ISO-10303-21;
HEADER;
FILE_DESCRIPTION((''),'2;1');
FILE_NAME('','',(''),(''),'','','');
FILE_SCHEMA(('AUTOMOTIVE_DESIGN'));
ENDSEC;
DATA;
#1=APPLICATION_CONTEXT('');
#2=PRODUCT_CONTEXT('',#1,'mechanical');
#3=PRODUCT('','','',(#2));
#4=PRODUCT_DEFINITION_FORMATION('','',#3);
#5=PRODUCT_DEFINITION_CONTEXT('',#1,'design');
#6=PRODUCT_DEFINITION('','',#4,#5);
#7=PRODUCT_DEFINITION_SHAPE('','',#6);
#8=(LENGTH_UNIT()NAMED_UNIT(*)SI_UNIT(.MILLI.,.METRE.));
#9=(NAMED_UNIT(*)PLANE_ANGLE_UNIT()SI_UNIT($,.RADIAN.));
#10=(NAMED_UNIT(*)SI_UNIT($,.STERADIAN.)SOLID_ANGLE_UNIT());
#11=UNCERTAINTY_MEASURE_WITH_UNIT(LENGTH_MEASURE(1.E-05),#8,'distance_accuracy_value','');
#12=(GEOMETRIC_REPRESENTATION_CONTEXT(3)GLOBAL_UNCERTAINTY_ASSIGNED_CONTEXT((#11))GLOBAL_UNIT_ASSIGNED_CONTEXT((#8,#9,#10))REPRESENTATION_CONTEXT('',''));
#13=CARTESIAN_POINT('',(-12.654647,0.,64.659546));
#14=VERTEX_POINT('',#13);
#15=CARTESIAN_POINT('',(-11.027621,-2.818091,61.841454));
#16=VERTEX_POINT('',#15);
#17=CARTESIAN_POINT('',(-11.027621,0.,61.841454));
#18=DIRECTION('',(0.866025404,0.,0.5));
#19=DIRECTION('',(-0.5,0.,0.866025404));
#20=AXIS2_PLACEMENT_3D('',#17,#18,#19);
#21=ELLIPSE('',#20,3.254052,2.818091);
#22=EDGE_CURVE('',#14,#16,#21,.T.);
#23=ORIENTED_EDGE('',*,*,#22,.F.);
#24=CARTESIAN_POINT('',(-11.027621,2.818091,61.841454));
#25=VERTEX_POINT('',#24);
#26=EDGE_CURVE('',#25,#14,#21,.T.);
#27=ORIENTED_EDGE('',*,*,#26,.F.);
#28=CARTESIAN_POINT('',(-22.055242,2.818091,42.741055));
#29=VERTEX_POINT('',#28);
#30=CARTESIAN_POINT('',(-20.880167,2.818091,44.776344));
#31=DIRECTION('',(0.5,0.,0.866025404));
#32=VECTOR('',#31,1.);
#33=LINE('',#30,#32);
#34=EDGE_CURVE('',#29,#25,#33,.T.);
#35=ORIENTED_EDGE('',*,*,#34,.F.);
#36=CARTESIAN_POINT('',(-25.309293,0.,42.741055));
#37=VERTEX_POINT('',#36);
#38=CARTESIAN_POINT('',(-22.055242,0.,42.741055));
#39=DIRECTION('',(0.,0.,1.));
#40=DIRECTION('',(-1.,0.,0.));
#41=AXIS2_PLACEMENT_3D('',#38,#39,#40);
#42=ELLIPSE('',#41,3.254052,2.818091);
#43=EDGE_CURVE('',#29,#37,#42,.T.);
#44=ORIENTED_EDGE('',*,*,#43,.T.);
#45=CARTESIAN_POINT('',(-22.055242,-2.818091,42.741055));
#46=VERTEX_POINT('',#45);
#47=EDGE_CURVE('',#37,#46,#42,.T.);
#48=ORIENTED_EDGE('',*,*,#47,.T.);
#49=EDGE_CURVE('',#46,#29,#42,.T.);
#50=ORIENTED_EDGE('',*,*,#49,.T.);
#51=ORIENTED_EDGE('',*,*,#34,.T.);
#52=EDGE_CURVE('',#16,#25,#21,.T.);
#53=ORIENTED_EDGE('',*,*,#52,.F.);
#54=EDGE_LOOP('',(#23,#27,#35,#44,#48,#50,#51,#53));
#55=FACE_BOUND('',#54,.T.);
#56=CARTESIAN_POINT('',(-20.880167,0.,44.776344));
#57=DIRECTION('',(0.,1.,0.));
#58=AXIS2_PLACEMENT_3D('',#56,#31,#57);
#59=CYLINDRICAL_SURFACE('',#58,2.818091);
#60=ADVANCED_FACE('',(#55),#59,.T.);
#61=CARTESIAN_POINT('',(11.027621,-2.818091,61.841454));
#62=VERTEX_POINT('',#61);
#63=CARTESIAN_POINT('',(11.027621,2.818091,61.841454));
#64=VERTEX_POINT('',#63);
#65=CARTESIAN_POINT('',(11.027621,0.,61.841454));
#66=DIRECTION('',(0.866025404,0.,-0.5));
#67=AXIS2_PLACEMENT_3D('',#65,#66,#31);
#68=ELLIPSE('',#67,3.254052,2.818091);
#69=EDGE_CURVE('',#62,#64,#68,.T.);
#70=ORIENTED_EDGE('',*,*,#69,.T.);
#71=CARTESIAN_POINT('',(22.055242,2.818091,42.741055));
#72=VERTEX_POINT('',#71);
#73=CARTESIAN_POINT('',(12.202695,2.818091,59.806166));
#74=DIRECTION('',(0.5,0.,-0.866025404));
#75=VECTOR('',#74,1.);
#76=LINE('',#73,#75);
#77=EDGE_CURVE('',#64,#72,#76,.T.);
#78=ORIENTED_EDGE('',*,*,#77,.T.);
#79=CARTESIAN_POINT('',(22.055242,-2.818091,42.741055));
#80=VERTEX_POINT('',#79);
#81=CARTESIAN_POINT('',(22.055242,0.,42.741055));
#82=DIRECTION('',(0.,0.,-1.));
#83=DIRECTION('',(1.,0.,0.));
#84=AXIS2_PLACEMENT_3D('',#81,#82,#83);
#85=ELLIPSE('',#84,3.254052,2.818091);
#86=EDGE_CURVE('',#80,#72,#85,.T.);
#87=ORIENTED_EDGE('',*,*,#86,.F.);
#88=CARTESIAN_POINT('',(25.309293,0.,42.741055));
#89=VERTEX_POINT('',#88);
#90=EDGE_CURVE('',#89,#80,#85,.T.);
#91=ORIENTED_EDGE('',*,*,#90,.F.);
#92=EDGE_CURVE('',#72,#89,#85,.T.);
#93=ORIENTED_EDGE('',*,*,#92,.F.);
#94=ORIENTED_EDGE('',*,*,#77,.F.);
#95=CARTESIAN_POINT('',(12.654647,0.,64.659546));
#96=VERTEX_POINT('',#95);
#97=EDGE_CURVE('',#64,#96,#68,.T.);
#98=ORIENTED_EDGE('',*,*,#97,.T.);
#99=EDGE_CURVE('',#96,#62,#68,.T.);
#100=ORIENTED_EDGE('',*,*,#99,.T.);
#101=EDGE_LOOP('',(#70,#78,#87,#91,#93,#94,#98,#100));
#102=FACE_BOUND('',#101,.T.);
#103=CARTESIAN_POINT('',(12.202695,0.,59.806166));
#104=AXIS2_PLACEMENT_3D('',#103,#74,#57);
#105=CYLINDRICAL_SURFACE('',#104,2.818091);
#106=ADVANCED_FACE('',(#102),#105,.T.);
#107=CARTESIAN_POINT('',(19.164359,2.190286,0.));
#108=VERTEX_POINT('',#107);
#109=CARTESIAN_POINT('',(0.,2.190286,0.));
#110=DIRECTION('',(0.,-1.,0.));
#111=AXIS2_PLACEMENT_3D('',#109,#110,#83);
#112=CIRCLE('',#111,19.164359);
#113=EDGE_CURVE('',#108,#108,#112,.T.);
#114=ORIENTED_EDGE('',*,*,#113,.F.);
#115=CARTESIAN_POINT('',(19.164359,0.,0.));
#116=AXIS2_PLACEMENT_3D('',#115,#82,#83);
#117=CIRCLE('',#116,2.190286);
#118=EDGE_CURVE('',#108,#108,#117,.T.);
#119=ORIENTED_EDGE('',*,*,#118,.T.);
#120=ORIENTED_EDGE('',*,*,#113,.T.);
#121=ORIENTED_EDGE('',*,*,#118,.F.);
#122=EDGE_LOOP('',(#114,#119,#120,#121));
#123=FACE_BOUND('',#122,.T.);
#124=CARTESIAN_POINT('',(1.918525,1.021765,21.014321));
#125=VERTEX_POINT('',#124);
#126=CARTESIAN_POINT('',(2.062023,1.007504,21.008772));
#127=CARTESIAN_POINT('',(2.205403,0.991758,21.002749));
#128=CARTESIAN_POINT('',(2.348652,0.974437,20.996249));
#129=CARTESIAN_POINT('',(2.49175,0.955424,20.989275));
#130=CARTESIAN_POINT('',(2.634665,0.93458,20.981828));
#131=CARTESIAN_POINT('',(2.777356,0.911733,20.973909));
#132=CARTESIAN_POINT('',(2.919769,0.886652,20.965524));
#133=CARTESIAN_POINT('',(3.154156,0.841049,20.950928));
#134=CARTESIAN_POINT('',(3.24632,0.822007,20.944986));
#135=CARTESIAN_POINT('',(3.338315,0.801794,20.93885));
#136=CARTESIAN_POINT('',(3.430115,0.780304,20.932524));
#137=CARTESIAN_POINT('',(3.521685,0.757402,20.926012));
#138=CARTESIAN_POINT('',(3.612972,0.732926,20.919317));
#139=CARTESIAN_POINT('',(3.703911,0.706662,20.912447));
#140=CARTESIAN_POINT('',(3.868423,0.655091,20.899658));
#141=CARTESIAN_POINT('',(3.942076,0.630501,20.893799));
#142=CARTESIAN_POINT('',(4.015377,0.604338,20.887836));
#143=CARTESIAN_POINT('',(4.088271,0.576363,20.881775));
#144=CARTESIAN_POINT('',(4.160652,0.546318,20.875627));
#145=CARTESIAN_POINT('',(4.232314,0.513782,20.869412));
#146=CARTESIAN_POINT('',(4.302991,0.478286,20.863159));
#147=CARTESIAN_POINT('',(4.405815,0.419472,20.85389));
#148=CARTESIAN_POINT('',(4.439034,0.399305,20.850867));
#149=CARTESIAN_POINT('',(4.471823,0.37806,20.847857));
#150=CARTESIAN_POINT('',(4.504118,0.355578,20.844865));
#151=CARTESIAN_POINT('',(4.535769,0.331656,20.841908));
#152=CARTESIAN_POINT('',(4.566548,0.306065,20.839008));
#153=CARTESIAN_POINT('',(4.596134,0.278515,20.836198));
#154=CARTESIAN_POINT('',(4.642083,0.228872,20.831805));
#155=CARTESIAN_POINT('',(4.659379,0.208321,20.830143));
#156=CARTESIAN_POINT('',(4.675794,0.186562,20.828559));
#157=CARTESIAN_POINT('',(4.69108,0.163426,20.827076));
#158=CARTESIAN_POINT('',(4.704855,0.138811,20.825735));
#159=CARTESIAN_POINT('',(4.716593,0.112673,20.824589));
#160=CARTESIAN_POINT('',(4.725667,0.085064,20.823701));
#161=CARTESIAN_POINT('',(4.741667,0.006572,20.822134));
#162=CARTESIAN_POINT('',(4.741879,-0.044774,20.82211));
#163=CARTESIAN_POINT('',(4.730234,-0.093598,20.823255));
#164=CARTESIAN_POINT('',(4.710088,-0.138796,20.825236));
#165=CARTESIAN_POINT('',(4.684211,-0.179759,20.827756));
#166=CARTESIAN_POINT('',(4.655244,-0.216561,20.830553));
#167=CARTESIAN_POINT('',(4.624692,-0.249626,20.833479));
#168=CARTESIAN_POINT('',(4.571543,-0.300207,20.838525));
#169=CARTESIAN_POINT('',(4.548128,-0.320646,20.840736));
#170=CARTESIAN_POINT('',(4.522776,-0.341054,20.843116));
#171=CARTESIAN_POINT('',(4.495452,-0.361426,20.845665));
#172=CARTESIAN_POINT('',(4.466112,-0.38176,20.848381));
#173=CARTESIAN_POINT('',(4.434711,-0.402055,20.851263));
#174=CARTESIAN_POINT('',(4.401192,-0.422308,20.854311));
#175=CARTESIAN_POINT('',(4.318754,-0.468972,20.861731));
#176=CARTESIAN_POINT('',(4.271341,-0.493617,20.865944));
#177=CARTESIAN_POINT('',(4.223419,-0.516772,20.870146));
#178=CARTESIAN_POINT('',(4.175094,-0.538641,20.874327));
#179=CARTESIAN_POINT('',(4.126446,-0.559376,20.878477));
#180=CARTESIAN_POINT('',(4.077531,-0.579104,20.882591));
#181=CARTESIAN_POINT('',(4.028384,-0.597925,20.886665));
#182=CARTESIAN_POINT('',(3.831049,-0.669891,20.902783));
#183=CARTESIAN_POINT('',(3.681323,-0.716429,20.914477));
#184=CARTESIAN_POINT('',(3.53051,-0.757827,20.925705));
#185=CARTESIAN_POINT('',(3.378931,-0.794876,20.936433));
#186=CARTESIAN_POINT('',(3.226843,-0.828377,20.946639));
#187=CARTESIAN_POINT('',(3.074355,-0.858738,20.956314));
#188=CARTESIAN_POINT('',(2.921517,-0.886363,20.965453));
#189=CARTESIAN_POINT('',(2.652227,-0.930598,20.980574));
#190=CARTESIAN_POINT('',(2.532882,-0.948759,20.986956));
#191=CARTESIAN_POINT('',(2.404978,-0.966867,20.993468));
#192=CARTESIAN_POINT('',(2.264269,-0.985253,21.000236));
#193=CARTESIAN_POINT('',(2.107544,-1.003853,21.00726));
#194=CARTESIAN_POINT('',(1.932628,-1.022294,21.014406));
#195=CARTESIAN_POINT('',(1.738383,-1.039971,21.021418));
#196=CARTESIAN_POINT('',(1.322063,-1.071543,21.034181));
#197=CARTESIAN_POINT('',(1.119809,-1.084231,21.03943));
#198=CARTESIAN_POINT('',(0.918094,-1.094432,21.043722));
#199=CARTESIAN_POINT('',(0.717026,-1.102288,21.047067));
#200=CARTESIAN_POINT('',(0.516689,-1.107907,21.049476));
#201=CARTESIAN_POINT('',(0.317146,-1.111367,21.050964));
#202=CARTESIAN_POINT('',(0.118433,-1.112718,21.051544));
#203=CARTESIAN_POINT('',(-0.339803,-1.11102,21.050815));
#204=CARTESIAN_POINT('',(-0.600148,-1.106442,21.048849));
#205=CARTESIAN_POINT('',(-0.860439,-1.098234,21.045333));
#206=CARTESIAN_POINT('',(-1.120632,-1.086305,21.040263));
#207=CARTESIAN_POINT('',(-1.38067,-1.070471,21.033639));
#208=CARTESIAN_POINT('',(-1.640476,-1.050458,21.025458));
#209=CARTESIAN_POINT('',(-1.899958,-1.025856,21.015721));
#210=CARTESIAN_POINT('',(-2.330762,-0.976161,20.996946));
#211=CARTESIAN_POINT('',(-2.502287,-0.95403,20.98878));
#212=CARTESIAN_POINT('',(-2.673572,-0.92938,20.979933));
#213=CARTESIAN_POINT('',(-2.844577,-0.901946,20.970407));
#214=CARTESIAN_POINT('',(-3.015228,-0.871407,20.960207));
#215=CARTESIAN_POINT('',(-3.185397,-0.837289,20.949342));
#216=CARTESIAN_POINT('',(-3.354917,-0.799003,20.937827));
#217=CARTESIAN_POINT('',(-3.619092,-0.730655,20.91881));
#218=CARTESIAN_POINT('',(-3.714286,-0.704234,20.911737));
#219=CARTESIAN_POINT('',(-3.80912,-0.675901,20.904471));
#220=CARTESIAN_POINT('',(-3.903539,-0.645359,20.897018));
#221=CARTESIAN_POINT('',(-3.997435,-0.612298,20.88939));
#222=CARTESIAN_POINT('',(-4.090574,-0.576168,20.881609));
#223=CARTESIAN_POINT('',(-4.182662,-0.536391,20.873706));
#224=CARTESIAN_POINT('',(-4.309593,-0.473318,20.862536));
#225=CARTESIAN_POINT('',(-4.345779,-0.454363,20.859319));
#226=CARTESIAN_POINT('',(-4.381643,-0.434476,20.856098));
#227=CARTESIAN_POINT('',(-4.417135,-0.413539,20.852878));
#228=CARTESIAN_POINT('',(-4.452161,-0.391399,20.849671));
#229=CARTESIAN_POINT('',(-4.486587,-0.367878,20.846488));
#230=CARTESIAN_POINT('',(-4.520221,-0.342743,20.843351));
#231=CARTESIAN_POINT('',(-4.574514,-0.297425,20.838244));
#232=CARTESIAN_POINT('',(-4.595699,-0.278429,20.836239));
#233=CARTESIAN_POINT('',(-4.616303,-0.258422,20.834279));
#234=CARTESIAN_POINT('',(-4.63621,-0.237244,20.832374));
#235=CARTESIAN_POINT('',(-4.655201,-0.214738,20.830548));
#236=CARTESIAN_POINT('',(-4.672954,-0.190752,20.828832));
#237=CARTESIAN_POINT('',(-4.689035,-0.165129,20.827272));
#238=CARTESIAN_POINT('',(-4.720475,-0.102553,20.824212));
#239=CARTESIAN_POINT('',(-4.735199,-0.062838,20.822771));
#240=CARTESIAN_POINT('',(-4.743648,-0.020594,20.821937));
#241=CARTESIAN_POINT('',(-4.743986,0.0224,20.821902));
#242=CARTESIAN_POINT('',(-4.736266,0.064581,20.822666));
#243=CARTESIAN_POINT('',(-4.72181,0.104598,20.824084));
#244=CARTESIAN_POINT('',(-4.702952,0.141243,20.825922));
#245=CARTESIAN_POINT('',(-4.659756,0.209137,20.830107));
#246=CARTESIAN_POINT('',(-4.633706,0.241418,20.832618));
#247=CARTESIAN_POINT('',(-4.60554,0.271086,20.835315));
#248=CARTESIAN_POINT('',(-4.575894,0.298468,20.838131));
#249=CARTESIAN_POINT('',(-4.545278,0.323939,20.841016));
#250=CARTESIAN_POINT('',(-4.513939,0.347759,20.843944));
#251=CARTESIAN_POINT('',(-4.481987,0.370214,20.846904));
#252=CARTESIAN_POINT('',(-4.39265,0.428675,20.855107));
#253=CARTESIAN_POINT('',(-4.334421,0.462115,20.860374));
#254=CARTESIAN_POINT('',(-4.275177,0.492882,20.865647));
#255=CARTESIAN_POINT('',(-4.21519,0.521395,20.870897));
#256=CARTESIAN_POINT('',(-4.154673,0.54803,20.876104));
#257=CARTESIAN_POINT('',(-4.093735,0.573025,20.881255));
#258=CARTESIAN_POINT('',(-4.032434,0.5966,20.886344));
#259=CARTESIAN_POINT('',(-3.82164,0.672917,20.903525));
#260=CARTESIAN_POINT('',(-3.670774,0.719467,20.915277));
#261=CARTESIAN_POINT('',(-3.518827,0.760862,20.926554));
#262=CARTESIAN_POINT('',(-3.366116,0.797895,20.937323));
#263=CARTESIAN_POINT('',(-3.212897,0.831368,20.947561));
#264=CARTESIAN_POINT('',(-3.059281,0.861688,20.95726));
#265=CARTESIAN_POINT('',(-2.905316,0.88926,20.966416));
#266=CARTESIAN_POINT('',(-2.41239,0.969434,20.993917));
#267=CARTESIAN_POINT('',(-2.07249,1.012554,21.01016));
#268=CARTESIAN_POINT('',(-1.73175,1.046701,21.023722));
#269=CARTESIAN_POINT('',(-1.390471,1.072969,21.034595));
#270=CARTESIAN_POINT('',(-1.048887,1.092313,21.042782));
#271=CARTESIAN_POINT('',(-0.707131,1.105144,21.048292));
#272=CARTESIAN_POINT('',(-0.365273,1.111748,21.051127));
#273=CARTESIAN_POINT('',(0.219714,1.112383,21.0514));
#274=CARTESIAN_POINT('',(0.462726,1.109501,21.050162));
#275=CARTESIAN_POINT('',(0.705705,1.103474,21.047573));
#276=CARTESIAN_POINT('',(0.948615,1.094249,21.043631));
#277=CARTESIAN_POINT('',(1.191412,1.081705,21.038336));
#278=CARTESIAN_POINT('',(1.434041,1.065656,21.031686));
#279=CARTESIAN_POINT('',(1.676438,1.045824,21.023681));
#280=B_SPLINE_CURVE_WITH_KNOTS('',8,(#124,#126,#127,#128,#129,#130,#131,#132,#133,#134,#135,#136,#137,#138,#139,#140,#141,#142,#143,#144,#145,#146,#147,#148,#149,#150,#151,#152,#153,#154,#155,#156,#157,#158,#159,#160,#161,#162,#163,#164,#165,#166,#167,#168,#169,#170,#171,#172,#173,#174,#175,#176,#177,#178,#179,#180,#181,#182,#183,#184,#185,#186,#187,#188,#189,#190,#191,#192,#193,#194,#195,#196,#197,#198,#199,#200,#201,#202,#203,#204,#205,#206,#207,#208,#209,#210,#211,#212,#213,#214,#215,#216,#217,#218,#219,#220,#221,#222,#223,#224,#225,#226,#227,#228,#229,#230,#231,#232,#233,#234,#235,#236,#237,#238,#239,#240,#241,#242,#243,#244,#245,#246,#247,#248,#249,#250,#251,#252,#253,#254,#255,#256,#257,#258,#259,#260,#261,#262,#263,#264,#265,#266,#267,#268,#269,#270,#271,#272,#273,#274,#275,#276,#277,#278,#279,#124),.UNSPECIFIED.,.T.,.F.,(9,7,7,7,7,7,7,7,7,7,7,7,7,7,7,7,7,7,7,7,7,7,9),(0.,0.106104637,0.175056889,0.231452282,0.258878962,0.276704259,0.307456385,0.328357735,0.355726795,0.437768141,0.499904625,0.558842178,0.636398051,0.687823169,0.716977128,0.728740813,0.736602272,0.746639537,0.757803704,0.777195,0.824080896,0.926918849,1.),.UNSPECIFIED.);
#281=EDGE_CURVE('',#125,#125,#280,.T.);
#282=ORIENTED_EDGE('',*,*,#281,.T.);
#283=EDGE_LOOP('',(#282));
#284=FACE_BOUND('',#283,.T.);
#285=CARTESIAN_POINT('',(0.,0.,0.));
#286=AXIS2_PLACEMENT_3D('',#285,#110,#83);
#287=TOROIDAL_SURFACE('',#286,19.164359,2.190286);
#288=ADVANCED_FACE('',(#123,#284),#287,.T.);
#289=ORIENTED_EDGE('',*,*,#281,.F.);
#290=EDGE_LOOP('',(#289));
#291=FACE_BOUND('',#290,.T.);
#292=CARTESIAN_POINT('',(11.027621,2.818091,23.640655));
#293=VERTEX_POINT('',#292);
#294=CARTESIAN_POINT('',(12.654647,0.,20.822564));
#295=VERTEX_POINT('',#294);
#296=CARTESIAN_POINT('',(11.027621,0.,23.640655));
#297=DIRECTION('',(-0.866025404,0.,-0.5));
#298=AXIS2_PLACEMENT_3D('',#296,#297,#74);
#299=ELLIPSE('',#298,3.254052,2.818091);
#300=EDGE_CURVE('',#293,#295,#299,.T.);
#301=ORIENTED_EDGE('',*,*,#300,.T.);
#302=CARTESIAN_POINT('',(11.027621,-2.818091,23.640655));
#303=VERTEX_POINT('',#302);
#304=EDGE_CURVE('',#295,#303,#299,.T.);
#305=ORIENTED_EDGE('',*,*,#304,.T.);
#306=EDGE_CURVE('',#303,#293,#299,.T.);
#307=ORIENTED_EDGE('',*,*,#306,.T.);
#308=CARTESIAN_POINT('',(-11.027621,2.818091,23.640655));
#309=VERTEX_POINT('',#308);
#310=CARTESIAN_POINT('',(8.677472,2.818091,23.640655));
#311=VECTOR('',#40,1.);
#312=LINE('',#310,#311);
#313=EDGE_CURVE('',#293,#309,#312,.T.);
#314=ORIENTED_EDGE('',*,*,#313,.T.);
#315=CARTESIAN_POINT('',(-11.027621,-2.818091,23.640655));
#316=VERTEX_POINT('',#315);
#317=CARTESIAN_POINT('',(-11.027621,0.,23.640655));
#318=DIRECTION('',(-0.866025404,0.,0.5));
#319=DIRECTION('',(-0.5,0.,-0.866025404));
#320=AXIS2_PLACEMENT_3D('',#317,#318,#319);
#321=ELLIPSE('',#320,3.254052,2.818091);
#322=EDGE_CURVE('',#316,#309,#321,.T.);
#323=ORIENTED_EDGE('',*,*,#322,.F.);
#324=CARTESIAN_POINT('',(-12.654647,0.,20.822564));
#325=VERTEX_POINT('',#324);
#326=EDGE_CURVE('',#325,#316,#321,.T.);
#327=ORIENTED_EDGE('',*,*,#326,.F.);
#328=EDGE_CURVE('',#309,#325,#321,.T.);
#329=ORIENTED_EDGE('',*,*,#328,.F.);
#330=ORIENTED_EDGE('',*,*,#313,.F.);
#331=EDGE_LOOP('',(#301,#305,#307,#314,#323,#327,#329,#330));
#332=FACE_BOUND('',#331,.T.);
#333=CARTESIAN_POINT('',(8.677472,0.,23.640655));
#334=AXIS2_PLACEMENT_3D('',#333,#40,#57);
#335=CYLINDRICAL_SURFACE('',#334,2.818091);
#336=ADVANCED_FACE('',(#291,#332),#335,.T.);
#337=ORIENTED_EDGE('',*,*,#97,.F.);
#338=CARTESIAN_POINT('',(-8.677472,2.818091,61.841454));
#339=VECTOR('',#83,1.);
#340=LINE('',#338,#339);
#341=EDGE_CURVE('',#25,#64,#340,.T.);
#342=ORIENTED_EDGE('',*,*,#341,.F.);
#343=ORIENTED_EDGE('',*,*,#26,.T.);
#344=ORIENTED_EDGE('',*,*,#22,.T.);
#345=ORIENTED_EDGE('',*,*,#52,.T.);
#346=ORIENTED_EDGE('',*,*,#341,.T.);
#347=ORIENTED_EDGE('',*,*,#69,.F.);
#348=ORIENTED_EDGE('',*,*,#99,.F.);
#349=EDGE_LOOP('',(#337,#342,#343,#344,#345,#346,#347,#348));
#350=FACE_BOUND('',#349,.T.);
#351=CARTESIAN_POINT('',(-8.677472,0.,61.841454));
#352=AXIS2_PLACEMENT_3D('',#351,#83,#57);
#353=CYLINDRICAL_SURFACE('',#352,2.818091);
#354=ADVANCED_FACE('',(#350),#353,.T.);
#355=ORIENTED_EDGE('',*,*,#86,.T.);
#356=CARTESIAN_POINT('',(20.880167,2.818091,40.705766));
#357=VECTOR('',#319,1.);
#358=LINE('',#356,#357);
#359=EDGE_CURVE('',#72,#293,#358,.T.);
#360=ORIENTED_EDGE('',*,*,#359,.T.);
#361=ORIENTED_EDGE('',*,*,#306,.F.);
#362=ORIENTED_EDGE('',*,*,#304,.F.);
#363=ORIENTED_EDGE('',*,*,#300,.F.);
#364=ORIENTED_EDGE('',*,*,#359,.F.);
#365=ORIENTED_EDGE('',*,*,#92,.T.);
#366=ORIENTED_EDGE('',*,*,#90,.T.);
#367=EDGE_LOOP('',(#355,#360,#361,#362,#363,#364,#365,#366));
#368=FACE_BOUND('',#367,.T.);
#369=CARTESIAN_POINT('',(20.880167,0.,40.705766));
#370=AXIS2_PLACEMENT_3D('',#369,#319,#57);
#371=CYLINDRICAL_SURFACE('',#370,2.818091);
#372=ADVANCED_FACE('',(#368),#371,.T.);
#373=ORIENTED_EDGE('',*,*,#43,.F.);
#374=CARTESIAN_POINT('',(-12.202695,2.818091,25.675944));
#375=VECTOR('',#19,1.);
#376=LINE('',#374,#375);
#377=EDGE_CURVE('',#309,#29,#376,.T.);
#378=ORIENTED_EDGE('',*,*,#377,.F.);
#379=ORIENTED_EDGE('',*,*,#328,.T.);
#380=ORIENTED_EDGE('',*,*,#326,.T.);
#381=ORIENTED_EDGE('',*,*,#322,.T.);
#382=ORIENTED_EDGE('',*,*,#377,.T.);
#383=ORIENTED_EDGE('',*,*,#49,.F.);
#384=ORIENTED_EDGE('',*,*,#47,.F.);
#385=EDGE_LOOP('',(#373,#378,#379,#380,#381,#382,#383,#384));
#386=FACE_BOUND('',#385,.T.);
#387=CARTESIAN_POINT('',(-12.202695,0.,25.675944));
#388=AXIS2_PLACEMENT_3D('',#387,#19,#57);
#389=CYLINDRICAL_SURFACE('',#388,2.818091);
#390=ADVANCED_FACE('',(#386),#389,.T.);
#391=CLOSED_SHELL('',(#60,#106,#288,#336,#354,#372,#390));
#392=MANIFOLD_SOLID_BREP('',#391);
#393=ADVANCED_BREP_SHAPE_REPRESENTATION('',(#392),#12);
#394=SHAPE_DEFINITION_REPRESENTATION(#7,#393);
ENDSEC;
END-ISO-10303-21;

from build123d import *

# Parameters (mm, degrees)
F1_R = 2.1902863251
F4_R = 2.8180913068


with BuildPart() as f2:
    # F2: sweep along a path in F0
    with BuildLine(Plane.XZ) as f2_path:
        CenterArc((0, 0), 19.2595042625, 0, 360)
    # F1 (on Right) → F2 (sweep)
    with BuildSketch(Plane.YZ):
        with Locations((0, 19.164359197)):
            Circle(F1_R)
    sweep(path=f2_path.line)

    # F5: sweep along a path in F3
    with BuildLine(Plane.XZ) as f5_path:
        Line((-8.6774716492, 27.7112331241), (-17.3549432985, 42.7410549019))
        Line((-17.3549432985, 42.7410549019), (-8.6774716492, 57.7708766796))
        Line((-8.6774716492, 57.7708766796), (8.6774716492, 57.7708766796))
        Line((8.6774716492, 57.7708766796), (17.3549432985, 42.7410549019))
        Line((17.3549432985, 42.7410549019), (8.6774716492, 27.7112331241))
        Line((8.6774716492, 27.7112331241), (-8.6774716492, 27.7112331241))
    # F4 (on Right) → F5 (sweep)
    with BuildSketch(Plane.YZ):
        with Locations((0, 61.8414543569)):
            Circle(F4_R)
    sweep(path=f5_path.line, transition=Transition.RIGHT)


solid = f2.part
